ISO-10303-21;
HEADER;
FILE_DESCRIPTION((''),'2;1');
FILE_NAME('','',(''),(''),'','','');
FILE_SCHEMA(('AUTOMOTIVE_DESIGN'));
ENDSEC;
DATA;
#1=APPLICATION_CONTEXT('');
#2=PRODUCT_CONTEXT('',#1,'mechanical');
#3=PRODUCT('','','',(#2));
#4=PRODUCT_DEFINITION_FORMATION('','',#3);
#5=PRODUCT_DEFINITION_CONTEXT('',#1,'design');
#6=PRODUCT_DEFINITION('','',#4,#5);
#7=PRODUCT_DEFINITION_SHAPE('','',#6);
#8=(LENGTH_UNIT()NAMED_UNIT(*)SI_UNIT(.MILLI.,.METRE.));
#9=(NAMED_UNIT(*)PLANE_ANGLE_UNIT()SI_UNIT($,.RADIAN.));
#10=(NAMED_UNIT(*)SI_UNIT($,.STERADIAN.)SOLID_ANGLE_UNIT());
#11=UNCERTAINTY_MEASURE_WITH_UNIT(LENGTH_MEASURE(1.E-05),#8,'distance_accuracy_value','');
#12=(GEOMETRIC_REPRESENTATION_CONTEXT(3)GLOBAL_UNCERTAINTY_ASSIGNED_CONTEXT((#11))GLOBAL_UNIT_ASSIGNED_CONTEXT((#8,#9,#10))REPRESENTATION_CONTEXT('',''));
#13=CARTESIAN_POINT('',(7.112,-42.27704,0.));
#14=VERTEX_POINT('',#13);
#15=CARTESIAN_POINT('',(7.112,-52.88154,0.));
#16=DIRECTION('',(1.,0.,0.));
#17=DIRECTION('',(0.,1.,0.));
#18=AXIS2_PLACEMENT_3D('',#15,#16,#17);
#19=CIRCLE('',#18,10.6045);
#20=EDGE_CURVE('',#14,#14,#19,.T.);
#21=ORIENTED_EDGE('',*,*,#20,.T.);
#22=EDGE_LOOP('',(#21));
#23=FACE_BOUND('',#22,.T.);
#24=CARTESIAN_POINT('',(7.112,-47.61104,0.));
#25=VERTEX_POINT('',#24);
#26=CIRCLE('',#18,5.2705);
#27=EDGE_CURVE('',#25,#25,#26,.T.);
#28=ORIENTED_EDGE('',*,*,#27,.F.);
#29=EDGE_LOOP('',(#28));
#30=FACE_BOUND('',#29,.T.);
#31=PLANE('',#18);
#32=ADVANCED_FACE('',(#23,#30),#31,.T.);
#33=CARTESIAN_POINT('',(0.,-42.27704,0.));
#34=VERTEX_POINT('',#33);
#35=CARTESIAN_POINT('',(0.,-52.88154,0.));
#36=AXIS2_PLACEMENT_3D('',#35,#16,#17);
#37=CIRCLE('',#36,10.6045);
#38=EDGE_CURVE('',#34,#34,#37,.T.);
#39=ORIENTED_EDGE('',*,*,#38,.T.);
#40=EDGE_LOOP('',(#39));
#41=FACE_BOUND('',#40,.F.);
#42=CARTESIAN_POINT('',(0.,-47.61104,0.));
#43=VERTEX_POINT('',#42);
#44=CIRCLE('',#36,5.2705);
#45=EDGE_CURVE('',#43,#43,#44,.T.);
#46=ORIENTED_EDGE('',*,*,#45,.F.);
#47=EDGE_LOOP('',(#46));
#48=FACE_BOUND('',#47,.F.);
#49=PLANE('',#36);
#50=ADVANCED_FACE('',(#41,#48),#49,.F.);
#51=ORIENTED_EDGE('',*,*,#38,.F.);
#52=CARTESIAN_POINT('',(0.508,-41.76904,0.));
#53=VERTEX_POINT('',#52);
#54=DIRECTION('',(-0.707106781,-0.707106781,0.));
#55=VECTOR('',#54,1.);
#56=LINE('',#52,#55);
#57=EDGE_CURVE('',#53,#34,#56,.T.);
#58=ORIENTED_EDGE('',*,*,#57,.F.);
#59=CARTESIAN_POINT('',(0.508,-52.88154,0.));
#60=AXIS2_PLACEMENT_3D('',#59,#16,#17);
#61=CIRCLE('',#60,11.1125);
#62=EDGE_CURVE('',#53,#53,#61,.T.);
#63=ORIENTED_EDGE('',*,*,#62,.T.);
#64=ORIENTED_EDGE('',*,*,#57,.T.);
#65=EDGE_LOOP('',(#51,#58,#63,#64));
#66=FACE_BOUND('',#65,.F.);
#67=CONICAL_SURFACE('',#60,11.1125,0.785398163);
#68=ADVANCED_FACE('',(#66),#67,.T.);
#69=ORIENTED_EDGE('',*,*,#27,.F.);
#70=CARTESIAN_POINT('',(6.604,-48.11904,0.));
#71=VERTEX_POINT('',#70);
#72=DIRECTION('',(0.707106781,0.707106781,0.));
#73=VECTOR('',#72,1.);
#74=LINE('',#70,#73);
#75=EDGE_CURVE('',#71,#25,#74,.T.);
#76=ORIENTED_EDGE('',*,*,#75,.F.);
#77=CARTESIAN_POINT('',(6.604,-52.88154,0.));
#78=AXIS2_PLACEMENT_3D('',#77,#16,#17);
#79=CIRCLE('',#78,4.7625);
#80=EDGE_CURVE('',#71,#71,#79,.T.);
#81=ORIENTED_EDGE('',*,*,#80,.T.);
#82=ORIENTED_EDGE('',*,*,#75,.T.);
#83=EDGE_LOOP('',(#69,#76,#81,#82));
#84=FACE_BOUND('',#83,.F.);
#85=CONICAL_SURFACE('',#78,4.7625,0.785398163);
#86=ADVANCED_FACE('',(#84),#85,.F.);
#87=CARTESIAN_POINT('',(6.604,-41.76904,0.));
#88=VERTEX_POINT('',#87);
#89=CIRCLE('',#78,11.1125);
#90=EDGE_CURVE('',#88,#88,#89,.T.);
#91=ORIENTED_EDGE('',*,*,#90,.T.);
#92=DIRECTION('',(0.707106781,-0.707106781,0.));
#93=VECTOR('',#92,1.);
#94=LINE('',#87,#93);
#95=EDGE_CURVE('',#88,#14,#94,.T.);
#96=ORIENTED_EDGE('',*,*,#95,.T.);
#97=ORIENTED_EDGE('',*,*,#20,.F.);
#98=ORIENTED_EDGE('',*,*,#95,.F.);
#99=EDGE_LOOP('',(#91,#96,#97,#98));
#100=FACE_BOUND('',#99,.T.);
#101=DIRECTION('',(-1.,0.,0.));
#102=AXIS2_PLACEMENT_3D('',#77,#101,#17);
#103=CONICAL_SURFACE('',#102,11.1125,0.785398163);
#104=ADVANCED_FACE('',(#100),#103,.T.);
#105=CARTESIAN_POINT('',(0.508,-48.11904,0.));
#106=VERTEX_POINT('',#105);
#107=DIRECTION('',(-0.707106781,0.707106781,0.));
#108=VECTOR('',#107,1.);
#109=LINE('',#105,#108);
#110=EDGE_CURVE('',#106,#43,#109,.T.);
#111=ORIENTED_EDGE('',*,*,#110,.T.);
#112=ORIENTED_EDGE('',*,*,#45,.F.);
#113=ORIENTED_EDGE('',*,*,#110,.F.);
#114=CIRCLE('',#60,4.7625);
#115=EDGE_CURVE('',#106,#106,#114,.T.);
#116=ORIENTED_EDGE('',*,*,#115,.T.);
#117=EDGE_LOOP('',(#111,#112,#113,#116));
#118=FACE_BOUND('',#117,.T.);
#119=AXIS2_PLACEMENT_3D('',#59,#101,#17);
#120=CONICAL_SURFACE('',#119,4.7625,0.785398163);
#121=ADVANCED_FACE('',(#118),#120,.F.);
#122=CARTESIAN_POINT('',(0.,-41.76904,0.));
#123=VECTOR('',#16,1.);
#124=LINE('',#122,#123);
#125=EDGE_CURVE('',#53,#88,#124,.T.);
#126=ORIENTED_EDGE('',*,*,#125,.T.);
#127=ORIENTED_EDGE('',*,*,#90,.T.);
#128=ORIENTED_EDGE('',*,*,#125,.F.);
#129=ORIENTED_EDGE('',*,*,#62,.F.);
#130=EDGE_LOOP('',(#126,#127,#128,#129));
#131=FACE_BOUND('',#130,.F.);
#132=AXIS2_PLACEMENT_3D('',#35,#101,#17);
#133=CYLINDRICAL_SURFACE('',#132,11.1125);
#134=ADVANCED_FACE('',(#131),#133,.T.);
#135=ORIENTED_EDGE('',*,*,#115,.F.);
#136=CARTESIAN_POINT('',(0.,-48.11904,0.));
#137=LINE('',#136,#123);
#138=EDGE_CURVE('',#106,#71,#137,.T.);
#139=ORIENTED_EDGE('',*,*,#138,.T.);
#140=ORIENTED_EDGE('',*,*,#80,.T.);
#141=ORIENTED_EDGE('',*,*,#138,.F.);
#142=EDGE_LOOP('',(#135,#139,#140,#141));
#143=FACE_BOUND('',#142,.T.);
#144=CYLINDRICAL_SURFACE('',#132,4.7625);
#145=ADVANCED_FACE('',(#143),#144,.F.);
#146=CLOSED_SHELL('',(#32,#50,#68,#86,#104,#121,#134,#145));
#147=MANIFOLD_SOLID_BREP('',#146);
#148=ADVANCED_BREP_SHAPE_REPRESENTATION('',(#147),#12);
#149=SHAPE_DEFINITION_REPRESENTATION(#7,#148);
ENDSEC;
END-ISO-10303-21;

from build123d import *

# Parameters (mm, degrees)
F0_R     = 11.1125
F0_R_2   = 4.7625
F1_DEPTH = 7.112
F2_SIZE  = 0.508


with BuildPart() as f1:
    # F0 (on Right) → F1 (new body)
    with BuildSketch(Plane.YZ):
        with Locations((-52.88154, 0)):
            Circle(F0_R)
        with Locations((-52.88154, 0)):
            Circle(F0_R_2, mode=Mode.SUBTRACT)
    extrude(amount=F1_DEPTH)

    # F2
    f2_edges = [f1.edges().sort_by_distance(p)[0] for p in [
        (7.112, -63.99404, 0),
        (7.112, -57.64404, 0),
        (0, -63.99404, 0),
        (0, -57.64404, 0),
    ]]
    chamfer(f2_edges, length=F2_SIZE)


solid = f1.part
